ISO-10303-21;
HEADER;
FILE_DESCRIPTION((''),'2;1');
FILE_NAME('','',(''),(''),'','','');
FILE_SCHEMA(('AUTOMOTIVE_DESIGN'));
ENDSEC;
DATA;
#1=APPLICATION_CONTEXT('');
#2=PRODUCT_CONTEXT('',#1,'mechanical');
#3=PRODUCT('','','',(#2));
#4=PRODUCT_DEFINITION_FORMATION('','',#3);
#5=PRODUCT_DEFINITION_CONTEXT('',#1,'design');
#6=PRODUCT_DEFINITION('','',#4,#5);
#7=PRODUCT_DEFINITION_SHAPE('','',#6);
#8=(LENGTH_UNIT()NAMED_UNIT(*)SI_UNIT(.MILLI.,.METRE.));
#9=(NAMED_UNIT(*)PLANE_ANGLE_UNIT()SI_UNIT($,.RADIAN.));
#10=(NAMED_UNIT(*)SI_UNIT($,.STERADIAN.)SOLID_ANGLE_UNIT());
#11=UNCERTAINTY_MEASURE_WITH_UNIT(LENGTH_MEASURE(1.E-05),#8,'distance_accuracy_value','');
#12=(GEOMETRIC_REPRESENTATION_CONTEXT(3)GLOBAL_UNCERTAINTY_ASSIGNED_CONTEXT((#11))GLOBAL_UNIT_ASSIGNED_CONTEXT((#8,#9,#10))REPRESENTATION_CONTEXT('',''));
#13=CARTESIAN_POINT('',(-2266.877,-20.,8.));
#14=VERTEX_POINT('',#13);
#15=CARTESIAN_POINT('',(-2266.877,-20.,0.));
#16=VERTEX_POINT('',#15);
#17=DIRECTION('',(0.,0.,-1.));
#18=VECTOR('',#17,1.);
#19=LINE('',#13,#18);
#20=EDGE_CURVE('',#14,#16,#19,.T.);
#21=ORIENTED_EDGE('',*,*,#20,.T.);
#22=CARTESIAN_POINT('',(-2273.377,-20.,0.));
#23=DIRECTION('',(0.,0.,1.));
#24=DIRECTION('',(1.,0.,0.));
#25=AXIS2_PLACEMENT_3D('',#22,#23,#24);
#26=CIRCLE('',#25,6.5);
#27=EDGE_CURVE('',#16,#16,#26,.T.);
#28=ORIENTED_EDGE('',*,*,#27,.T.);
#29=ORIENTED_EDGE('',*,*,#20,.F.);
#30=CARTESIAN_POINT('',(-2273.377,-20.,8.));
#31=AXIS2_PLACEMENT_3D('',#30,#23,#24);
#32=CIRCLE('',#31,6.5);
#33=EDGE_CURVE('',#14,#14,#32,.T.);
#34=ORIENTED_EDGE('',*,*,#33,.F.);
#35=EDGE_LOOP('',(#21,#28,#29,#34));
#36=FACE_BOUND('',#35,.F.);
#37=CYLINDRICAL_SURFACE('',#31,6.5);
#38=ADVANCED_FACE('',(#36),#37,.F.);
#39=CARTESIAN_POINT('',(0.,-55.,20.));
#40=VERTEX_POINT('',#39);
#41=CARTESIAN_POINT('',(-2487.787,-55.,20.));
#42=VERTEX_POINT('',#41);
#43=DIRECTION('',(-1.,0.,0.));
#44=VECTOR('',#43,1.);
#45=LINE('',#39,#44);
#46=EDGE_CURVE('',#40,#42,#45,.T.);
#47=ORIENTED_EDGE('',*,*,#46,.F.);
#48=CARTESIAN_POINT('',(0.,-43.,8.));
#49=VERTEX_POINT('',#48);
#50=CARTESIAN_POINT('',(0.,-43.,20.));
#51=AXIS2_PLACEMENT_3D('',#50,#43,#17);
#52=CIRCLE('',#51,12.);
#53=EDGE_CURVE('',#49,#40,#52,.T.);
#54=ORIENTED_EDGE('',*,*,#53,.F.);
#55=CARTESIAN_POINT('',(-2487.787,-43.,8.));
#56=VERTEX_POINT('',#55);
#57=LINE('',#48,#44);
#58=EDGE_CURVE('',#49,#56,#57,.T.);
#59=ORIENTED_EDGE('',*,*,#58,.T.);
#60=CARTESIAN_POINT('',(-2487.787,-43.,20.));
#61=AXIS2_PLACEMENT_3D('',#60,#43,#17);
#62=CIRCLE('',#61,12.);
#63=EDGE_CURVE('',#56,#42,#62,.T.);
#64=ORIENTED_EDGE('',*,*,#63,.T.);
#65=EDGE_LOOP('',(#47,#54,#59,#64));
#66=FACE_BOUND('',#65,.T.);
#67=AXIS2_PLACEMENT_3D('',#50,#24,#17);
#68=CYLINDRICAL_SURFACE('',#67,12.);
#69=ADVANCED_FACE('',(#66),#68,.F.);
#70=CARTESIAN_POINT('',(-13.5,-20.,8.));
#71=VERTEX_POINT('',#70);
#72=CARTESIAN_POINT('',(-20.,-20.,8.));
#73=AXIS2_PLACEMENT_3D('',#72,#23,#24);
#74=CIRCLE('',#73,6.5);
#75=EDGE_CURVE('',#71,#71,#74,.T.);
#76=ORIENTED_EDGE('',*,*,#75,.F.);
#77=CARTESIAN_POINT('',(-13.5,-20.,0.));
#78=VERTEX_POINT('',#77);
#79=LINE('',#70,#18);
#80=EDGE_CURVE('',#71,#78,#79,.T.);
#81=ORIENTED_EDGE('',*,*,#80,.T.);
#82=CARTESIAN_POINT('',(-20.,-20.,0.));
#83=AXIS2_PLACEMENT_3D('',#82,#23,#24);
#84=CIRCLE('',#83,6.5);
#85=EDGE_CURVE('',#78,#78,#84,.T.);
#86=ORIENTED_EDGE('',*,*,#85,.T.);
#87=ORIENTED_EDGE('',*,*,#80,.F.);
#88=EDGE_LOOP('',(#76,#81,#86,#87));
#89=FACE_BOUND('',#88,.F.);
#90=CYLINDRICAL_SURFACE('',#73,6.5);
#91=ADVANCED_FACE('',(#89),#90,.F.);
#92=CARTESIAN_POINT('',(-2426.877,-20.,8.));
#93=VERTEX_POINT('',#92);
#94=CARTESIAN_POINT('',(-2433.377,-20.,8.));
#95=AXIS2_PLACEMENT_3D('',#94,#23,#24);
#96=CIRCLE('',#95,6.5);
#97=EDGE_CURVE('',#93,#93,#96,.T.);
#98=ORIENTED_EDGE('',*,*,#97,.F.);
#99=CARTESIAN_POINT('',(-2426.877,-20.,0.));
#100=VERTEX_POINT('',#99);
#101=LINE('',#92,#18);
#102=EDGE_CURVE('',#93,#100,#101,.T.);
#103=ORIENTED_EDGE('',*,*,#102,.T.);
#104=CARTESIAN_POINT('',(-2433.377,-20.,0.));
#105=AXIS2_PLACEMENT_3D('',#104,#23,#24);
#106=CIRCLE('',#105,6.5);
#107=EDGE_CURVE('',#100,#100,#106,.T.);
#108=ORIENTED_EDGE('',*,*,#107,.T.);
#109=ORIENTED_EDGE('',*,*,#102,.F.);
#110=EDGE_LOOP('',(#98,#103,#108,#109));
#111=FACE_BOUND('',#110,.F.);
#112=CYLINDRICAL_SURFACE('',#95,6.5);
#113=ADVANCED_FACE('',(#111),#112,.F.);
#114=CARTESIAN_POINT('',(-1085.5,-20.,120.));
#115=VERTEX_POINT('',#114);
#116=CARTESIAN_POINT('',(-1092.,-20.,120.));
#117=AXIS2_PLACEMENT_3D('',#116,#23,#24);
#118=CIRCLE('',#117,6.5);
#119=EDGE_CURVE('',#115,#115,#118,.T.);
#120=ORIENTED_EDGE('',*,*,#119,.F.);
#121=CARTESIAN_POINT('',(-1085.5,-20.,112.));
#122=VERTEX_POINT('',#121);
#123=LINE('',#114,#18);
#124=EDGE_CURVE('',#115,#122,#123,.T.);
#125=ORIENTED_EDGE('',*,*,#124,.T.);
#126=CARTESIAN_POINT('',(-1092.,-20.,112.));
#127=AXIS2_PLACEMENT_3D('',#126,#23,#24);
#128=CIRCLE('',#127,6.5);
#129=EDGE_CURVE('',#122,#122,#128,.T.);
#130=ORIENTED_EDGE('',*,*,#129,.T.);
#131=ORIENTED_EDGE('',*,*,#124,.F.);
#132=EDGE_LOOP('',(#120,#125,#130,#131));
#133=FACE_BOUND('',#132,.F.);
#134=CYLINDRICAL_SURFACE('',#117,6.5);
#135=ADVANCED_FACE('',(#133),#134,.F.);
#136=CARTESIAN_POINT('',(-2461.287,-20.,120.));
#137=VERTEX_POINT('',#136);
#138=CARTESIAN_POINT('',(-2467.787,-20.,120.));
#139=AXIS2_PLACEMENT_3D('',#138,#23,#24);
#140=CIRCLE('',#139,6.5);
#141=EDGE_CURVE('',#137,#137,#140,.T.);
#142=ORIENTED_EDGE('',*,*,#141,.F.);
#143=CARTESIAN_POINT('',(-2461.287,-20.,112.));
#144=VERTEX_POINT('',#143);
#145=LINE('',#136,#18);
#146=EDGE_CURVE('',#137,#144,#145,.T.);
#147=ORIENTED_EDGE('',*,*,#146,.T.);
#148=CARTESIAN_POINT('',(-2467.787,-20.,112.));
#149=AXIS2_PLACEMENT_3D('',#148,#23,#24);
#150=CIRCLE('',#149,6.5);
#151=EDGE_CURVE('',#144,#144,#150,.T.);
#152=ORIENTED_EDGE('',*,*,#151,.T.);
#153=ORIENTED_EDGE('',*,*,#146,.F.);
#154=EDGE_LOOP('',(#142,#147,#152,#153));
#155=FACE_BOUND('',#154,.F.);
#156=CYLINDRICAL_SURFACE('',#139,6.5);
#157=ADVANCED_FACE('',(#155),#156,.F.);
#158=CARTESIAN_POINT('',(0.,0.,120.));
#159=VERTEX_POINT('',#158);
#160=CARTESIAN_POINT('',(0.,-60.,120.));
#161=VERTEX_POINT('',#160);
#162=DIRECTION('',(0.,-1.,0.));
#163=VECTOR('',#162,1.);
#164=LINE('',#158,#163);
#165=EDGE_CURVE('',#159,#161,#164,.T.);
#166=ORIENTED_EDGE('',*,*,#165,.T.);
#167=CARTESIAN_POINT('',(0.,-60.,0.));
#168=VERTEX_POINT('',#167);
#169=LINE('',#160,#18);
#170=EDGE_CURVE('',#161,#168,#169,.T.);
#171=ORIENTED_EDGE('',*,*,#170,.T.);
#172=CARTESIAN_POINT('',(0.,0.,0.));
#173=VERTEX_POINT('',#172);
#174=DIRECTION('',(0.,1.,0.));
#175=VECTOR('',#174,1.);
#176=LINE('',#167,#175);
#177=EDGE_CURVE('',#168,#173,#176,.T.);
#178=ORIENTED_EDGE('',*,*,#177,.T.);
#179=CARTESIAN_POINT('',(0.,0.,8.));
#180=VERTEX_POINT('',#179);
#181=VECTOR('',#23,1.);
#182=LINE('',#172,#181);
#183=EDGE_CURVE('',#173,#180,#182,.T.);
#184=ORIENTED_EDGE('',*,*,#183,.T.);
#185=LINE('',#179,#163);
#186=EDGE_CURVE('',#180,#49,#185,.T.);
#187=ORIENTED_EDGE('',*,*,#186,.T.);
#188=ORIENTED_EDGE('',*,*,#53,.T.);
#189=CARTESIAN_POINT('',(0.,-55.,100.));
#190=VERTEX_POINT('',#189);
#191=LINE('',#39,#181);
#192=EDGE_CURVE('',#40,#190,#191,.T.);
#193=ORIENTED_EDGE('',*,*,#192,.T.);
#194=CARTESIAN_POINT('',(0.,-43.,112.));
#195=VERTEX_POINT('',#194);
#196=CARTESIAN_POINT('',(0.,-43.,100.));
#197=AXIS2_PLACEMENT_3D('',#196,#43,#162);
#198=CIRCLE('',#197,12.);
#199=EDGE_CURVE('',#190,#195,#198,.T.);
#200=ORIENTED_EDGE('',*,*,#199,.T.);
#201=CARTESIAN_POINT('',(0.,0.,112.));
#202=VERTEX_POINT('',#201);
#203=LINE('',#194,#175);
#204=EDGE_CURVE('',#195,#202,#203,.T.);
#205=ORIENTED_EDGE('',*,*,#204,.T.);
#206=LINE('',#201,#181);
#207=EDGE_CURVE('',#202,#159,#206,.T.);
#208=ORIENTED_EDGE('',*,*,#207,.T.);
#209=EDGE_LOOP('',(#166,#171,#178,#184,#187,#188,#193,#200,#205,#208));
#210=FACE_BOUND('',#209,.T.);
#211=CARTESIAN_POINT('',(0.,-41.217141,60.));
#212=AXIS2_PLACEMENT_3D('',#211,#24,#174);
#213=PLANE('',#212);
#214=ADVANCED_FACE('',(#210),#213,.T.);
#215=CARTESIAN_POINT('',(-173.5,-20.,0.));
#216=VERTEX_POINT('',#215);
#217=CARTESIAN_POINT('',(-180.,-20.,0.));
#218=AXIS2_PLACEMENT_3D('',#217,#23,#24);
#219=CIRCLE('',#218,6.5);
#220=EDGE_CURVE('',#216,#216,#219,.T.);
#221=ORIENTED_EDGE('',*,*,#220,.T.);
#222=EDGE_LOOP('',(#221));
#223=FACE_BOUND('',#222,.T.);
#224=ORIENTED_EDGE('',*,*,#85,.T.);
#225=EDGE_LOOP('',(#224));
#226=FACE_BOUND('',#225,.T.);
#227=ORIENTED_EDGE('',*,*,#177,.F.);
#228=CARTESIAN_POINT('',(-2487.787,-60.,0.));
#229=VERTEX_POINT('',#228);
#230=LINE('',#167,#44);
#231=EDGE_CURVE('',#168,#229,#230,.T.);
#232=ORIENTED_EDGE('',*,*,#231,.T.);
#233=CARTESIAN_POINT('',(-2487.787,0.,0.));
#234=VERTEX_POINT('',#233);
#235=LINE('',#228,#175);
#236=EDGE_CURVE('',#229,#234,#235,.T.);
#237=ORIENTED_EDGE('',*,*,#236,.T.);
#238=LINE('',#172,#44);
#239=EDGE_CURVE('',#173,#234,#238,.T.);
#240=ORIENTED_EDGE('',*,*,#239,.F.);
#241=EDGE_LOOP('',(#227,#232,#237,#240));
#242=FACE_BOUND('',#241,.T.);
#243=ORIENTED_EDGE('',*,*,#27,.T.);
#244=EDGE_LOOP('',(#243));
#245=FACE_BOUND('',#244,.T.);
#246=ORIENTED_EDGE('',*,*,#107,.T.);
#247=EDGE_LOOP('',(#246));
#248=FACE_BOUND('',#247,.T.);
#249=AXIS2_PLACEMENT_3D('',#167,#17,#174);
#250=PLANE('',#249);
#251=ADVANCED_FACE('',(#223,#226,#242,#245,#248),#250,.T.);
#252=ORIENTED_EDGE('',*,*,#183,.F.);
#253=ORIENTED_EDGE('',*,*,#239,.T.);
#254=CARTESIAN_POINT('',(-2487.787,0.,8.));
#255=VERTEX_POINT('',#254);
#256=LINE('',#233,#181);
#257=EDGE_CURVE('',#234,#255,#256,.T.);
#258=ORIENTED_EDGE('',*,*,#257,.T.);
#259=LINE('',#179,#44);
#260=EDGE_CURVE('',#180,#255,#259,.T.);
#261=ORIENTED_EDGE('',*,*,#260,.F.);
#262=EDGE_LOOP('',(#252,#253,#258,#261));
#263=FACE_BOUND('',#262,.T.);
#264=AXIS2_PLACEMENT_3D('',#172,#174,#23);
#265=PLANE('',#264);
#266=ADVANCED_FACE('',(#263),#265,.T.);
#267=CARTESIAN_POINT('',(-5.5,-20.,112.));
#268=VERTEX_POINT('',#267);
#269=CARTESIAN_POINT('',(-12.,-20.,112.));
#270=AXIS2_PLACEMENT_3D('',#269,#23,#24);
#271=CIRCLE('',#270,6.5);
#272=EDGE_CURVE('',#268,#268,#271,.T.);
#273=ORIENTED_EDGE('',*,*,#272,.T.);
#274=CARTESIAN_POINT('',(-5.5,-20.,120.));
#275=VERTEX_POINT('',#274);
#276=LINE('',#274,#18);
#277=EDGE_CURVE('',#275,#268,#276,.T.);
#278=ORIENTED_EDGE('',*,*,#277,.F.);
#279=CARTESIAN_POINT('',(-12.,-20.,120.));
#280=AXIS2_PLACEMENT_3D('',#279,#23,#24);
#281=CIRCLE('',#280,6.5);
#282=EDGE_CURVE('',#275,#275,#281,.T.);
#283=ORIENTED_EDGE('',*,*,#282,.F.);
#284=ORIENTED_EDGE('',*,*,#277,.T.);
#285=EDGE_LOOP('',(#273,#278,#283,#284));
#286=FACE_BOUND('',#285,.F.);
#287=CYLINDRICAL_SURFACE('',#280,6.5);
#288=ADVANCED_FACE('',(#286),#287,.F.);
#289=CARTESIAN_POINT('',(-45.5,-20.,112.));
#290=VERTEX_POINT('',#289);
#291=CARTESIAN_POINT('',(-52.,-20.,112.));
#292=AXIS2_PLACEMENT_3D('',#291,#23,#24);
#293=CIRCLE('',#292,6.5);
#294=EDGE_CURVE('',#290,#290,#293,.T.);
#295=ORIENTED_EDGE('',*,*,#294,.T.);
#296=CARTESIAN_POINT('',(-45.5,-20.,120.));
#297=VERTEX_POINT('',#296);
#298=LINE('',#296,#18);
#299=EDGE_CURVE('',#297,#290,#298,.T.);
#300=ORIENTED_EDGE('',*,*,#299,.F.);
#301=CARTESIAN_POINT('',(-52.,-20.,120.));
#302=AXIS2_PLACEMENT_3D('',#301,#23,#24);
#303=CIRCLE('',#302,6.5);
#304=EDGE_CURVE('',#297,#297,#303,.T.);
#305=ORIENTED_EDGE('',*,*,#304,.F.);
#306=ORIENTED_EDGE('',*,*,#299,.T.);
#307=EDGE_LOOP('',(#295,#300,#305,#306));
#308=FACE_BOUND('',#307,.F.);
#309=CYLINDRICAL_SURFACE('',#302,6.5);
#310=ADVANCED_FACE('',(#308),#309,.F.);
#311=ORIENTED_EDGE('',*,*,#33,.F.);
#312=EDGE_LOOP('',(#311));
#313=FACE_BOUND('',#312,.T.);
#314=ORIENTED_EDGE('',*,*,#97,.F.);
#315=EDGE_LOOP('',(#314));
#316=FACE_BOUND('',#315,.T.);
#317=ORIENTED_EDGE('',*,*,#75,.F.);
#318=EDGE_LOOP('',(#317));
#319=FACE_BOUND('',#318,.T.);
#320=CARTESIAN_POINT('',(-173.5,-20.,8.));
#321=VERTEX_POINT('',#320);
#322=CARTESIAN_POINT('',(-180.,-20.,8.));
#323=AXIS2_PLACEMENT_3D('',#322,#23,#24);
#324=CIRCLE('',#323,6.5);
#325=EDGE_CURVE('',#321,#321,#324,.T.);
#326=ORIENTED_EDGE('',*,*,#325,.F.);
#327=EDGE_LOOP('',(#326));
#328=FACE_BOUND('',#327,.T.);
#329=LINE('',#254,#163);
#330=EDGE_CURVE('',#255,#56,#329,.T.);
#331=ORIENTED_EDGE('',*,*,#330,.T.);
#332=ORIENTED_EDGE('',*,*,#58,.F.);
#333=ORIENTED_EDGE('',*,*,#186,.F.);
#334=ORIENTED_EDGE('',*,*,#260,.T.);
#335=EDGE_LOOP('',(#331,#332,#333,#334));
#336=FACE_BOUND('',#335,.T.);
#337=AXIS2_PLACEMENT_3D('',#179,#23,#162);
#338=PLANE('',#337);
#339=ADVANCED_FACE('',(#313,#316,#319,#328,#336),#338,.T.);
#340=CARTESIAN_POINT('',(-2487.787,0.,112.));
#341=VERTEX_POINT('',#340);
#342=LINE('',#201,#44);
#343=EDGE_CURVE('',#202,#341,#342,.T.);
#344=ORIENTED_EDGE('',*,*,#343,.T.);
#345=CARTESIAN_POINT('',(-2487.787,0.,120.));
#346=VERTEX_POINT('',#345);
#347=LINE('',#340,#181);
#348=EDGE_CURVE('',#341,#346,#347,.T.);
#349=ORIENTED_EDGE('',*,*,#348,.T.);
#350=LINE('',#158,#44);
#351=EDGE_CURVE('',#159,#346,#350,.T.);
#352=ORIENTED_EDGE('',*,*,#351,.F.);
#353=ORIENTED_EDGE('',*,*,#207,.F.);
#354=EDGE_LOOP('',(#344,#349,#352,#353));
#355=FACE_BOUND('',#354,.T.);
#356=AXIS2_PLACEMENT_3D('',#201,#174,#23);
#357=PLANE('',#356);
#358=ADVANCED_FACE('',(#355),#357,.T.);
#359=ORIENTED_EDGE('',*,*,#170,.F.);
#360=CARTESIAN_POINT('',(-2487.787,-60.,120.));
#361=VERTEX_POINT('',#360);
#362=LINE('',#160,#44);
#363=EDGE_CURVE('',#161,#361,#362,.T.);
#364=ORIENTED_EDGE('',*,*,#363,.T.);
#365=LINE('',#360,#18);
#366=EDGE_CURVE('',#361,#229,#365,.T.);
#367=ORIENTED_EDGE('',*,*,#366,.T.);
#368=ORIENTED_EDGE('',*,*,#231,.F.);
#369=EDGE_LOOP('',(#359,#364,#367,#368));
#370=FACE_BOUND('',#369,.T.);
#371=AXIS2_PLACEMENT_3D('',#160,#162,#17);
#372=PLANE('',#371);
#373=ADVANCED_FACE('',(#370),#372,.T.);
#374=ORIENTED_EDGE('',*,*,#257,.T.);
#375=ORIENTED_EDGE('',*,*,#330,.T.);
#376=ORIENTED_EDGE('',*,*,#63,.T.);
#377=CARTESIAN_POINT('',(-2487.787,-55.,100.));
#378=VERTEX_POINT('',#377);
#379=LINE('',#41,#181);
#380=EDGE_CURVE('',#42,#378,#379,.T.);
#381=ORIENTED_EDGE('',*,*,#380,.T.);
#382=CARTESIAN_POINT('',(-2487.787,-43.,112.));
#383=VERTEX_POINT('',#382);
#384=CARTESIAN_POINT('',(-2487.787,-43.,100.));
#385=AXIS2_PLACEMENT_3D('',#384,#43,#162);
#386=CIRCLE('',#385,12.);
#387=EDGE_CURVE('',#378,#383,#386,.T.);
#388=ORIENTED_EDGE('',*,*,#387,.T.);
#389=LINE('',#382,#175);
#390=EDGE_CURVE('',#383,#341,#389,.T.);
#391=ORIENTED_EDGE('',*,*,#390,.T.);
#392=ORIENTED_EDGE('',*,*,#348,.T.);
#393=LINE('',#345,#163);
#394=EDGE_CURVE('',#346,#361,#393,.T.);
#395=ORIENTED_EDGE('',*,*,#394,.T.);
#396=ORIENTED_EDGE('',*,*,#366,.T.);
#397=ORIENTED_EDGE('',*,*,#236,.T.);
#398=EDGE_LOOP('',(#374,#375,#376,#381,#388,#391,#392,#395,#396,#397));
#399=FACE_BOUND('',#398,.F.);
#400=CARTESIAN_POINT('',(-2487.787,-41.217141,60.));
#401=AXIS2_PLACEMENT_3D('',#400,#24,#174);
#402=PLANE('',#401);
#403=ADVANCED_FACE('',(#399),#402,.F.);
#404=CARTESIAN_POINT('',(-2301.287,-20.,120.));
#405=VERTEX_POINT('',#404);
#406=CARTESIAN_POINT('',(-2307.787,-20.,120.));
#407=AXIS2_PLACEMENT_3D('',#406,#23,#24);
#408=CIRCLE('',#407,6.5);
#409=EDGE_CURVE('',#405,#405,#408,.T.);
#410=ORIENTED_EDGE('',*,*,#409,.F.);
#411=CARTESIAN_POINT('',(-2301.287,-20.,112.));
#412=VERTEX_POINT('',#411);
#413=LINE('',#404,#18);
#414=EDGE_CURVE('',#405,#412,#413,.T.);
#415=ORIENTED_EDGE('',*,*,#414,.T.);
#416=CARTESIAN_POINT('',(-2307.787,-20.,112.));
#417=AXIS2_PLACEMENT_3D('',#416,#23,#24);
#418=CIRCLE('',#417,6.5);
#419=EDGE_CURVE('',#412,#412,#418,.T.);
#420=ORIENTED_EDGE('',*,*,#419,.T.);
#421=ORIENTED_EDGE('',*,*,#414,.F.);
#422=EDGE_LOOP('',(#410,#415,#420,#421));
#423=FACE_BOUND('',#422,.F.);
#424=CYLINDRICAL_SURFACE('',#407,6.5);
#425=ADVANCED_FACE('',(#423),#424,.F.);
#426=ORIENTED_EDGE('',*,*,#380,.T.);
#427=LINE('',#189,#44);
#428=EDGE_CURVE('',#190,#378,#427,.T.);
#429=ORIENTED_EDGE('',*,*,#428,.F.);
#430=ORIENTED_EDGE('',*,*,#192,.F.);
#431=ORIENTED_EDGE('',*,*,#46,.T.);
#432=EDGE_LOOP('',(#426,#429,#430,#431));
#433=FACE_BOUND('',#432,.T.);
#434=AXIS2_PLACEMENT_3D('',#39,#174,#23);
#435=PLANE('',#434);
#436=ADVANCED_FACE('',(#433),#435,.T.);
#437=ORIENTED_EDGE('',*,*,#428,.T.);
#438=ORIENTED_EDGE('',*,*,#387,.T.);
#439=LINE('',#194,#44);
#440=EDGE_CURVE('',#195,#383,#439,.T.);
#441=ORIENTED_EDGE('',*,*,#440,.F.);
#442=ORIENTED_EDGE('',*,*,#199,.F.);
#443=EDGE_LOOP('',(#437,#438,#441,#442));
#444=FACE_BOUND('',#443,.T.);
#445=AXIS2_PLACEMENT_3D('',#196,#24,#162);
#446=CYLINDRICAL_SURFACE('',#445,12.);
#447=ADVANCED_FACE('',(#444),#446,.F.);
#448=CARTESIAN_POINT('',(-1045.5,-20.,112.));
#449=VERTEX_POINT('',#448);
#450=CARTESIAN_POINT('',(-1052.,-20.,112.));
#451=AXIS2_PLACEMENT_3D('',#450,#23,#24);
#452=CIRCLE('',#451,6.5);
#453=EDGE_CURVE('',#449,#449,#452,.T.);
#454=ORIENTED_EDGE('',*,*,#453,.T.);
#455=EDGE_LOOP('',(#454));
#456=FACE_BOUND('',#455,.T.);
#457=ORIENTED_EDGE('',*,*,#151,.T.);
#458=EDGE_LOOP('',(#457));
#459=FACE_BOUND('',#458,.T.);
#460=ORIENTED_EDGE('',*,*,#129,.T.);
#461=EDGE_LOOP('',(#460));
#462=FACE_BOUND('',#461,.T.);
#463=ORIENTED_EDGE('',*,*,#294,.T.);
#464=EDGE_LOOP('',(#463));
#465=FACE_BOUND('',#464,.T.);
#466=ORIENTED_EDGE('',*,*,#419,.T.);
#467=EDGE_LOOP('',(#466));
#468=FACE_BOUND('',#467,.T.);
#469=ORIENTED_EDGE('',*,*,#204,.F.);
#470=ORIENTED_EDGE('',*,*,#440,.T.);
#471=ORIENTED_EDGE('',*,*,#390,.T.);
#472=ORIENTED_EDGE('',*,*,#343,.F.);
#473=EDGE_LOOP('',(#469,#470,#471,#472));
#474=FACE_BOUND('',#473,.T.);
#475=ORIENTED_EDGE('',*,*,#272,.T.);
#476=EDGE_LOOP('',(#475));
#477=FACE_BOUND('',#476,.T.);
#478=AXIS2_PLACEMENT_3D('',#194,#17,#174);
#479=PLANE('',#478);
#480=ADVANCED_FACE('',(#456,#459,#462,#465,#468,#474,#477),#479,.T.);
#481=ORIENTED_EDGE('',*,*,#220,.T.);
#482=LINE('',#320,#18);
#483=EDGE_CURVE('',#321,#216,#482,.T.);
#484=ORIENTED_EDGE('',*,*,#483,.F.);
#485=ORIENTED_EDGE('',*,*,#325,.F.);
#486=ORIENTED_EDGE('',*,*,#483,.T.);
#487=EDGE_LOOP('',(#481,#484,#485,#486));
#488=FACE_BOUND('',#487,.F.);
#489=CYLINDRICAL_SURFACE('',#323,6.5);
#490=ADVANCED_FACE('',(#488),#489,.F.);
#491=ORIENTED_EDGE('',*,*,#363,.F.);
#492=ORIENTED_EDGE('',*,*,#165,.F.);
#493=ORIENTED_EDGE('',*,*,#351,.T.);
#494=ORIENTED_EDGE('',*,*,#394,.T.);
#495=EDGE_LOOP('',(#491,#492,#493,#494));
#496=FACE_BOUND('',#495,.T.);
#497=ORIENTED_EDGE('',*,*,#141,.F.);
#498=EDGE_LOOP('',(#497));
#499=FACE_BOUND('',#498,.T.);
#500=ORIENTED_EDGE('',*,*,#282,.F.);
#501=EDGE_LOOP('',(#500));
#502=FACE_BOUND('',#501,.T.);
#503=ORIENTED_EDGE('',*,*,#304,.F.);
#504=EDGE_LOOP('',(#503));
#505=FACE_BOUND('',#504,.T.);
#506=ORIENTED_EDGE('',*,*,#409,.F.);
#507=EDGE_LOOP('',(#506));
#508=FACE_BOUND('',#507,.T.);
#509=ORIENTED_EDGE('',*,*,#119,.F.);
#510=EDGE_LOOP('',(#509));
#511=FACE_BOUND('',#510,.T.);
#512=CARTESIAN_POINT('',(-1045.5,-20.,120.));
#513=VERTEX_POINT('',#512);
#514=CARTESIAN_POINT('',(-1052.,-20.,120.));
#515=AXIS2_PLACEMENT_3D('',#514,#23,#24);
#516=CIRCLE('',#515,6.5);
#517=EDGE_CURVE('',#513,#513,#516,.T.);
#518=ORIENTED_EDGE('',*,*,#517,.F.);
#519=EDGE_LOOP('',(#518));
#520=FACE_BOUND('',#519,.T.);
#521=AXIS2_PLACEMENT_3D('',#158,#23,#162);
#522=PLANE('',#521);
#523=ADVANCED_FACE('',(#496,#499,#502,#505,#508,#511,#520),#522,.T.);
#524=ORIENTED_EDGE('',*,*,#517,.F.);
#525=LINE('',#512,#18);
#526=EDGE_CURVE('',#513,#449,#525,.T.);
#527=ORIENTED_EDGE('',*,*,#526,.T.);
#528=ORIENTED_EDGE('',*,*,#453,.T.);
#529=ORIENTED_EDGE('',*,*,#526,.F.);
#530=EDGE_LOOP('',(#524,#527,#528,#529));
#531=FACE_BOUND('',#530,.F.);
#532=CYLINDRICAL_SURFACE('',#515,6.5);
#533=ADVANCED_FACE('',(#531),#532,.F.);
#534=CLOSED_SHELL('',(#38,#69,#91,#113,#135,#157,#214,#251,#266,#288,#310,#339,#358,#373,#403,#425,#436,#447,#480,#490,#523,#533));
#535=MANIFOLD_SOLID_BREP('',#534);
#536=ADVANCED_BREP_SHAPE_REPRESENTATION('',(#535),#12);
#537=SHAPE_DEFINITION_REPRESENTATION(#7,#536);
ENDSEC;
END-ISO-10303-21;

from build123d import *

# Parameters (mm, degrees)
F3_DEPTH   = 2487.787
F4_R       = 6.5
F5_DEPTH   = 8
F3_FACE2_W = 2487.787
F3_FACE2_H = 60
F3_FACE2_R = 6.5
F7_DEPTH   = 8.001
F6_R       = 6.5
F8_DEPTH   = 8


with BuildPart() as f3:
    # F2 (on Right) → F3 (new body)
    with BuildSketch(Plane.YZ):
        with BuildLine():
            Line((-60, 0), (0, 0))
            Line((0, 0), (0, 8))
            Line((0, 8), (-43, 8))
            ThreePointArc((-43, 8), (-51.4852813742, 11.5147186258), (-55, 20))
            Line((-55, 20), (-55, 100))
            ThreePointArc((-55, 100), (-51.4852813742, 108.4852813742), (-43, 112))
            Line((-43, 112), (0, 112))
            Line((0, 112), (0, 120))
            Line((0, 120), (-60, 120))
            Line((-60, 120), (-60, 0))
        make_face()
    extrude(amount=-F3_DEPTH)

    # F4 (on face) → F5 (cut, through all)
    with BuildSketch(Plane.XY.offset(8)):
        with Locations((-2273.377, -20)):
            Circle(F4_R)
        with Locations((-2433.377, -20)):
            Circle(F4_R)
    extrude(amount=-F5_DEPTH, mode=Mode.SUBTRACT)

    # F4 (on face) + F3_face2 (on face) → F7 (cut, through all)
    with BuildSketch(Plane.XY.offset(8)):
        with Locations((-20, -20)):
            Circle(F4_R)
        with Locations((-180, -20)):
            Circle(F4_R)
        with Locations((-2433.377, -20)):
            Circle(F4_R)
        with Locations((-2273.377, -20)):
            Circle(F4_R)
    with BuildSketch(Plane(origin=(-1241.9168214726, -30.0178162048, 0), x_dir=(1, 0, 0), z_dir=(0, 0, -1))):
        with Locations((-1.9766785274, -0.0178162048)):
            Rectangle(F3_FACE2_W, F3_FACE2_H)
        with Locations((-1191.4601785274, -10.0178162048)):
            Circle(F3_FACE2_R, mode=Mode.SUBTRACT)
        with Locations((-1031.4601785274, -10.0178162048)):
            Circle(F3_FACE2_R, mode=Mode.SUBTRACT)
    extrude(amount=-F7_DEPTH, dir=(0, 0, 1), mode=Mode.SUBTRACT)

    # F6 (on face) → F8 (cut, through all)
    with BuildSketch(Plane.XY.offset(120)):
        with Locations((-52, -20)):
            Circle(F6_R)
        with Locations((-12, -20)):
            Circle(F6_R)
        with Locations((-1052, -20)):
            Circle(F6_R)
        with Locations((-1092, -20)):
            Circle(F6_R)
        with Locations((-2307.787, -20)):
            Circle(F6_R)
        with Locations((-2467.787, -20)):
            Circle(F6_R)
    extrude(amount=-F8_DEPTH, mode=Mode.SUBTRACT)


solid = f3.part
